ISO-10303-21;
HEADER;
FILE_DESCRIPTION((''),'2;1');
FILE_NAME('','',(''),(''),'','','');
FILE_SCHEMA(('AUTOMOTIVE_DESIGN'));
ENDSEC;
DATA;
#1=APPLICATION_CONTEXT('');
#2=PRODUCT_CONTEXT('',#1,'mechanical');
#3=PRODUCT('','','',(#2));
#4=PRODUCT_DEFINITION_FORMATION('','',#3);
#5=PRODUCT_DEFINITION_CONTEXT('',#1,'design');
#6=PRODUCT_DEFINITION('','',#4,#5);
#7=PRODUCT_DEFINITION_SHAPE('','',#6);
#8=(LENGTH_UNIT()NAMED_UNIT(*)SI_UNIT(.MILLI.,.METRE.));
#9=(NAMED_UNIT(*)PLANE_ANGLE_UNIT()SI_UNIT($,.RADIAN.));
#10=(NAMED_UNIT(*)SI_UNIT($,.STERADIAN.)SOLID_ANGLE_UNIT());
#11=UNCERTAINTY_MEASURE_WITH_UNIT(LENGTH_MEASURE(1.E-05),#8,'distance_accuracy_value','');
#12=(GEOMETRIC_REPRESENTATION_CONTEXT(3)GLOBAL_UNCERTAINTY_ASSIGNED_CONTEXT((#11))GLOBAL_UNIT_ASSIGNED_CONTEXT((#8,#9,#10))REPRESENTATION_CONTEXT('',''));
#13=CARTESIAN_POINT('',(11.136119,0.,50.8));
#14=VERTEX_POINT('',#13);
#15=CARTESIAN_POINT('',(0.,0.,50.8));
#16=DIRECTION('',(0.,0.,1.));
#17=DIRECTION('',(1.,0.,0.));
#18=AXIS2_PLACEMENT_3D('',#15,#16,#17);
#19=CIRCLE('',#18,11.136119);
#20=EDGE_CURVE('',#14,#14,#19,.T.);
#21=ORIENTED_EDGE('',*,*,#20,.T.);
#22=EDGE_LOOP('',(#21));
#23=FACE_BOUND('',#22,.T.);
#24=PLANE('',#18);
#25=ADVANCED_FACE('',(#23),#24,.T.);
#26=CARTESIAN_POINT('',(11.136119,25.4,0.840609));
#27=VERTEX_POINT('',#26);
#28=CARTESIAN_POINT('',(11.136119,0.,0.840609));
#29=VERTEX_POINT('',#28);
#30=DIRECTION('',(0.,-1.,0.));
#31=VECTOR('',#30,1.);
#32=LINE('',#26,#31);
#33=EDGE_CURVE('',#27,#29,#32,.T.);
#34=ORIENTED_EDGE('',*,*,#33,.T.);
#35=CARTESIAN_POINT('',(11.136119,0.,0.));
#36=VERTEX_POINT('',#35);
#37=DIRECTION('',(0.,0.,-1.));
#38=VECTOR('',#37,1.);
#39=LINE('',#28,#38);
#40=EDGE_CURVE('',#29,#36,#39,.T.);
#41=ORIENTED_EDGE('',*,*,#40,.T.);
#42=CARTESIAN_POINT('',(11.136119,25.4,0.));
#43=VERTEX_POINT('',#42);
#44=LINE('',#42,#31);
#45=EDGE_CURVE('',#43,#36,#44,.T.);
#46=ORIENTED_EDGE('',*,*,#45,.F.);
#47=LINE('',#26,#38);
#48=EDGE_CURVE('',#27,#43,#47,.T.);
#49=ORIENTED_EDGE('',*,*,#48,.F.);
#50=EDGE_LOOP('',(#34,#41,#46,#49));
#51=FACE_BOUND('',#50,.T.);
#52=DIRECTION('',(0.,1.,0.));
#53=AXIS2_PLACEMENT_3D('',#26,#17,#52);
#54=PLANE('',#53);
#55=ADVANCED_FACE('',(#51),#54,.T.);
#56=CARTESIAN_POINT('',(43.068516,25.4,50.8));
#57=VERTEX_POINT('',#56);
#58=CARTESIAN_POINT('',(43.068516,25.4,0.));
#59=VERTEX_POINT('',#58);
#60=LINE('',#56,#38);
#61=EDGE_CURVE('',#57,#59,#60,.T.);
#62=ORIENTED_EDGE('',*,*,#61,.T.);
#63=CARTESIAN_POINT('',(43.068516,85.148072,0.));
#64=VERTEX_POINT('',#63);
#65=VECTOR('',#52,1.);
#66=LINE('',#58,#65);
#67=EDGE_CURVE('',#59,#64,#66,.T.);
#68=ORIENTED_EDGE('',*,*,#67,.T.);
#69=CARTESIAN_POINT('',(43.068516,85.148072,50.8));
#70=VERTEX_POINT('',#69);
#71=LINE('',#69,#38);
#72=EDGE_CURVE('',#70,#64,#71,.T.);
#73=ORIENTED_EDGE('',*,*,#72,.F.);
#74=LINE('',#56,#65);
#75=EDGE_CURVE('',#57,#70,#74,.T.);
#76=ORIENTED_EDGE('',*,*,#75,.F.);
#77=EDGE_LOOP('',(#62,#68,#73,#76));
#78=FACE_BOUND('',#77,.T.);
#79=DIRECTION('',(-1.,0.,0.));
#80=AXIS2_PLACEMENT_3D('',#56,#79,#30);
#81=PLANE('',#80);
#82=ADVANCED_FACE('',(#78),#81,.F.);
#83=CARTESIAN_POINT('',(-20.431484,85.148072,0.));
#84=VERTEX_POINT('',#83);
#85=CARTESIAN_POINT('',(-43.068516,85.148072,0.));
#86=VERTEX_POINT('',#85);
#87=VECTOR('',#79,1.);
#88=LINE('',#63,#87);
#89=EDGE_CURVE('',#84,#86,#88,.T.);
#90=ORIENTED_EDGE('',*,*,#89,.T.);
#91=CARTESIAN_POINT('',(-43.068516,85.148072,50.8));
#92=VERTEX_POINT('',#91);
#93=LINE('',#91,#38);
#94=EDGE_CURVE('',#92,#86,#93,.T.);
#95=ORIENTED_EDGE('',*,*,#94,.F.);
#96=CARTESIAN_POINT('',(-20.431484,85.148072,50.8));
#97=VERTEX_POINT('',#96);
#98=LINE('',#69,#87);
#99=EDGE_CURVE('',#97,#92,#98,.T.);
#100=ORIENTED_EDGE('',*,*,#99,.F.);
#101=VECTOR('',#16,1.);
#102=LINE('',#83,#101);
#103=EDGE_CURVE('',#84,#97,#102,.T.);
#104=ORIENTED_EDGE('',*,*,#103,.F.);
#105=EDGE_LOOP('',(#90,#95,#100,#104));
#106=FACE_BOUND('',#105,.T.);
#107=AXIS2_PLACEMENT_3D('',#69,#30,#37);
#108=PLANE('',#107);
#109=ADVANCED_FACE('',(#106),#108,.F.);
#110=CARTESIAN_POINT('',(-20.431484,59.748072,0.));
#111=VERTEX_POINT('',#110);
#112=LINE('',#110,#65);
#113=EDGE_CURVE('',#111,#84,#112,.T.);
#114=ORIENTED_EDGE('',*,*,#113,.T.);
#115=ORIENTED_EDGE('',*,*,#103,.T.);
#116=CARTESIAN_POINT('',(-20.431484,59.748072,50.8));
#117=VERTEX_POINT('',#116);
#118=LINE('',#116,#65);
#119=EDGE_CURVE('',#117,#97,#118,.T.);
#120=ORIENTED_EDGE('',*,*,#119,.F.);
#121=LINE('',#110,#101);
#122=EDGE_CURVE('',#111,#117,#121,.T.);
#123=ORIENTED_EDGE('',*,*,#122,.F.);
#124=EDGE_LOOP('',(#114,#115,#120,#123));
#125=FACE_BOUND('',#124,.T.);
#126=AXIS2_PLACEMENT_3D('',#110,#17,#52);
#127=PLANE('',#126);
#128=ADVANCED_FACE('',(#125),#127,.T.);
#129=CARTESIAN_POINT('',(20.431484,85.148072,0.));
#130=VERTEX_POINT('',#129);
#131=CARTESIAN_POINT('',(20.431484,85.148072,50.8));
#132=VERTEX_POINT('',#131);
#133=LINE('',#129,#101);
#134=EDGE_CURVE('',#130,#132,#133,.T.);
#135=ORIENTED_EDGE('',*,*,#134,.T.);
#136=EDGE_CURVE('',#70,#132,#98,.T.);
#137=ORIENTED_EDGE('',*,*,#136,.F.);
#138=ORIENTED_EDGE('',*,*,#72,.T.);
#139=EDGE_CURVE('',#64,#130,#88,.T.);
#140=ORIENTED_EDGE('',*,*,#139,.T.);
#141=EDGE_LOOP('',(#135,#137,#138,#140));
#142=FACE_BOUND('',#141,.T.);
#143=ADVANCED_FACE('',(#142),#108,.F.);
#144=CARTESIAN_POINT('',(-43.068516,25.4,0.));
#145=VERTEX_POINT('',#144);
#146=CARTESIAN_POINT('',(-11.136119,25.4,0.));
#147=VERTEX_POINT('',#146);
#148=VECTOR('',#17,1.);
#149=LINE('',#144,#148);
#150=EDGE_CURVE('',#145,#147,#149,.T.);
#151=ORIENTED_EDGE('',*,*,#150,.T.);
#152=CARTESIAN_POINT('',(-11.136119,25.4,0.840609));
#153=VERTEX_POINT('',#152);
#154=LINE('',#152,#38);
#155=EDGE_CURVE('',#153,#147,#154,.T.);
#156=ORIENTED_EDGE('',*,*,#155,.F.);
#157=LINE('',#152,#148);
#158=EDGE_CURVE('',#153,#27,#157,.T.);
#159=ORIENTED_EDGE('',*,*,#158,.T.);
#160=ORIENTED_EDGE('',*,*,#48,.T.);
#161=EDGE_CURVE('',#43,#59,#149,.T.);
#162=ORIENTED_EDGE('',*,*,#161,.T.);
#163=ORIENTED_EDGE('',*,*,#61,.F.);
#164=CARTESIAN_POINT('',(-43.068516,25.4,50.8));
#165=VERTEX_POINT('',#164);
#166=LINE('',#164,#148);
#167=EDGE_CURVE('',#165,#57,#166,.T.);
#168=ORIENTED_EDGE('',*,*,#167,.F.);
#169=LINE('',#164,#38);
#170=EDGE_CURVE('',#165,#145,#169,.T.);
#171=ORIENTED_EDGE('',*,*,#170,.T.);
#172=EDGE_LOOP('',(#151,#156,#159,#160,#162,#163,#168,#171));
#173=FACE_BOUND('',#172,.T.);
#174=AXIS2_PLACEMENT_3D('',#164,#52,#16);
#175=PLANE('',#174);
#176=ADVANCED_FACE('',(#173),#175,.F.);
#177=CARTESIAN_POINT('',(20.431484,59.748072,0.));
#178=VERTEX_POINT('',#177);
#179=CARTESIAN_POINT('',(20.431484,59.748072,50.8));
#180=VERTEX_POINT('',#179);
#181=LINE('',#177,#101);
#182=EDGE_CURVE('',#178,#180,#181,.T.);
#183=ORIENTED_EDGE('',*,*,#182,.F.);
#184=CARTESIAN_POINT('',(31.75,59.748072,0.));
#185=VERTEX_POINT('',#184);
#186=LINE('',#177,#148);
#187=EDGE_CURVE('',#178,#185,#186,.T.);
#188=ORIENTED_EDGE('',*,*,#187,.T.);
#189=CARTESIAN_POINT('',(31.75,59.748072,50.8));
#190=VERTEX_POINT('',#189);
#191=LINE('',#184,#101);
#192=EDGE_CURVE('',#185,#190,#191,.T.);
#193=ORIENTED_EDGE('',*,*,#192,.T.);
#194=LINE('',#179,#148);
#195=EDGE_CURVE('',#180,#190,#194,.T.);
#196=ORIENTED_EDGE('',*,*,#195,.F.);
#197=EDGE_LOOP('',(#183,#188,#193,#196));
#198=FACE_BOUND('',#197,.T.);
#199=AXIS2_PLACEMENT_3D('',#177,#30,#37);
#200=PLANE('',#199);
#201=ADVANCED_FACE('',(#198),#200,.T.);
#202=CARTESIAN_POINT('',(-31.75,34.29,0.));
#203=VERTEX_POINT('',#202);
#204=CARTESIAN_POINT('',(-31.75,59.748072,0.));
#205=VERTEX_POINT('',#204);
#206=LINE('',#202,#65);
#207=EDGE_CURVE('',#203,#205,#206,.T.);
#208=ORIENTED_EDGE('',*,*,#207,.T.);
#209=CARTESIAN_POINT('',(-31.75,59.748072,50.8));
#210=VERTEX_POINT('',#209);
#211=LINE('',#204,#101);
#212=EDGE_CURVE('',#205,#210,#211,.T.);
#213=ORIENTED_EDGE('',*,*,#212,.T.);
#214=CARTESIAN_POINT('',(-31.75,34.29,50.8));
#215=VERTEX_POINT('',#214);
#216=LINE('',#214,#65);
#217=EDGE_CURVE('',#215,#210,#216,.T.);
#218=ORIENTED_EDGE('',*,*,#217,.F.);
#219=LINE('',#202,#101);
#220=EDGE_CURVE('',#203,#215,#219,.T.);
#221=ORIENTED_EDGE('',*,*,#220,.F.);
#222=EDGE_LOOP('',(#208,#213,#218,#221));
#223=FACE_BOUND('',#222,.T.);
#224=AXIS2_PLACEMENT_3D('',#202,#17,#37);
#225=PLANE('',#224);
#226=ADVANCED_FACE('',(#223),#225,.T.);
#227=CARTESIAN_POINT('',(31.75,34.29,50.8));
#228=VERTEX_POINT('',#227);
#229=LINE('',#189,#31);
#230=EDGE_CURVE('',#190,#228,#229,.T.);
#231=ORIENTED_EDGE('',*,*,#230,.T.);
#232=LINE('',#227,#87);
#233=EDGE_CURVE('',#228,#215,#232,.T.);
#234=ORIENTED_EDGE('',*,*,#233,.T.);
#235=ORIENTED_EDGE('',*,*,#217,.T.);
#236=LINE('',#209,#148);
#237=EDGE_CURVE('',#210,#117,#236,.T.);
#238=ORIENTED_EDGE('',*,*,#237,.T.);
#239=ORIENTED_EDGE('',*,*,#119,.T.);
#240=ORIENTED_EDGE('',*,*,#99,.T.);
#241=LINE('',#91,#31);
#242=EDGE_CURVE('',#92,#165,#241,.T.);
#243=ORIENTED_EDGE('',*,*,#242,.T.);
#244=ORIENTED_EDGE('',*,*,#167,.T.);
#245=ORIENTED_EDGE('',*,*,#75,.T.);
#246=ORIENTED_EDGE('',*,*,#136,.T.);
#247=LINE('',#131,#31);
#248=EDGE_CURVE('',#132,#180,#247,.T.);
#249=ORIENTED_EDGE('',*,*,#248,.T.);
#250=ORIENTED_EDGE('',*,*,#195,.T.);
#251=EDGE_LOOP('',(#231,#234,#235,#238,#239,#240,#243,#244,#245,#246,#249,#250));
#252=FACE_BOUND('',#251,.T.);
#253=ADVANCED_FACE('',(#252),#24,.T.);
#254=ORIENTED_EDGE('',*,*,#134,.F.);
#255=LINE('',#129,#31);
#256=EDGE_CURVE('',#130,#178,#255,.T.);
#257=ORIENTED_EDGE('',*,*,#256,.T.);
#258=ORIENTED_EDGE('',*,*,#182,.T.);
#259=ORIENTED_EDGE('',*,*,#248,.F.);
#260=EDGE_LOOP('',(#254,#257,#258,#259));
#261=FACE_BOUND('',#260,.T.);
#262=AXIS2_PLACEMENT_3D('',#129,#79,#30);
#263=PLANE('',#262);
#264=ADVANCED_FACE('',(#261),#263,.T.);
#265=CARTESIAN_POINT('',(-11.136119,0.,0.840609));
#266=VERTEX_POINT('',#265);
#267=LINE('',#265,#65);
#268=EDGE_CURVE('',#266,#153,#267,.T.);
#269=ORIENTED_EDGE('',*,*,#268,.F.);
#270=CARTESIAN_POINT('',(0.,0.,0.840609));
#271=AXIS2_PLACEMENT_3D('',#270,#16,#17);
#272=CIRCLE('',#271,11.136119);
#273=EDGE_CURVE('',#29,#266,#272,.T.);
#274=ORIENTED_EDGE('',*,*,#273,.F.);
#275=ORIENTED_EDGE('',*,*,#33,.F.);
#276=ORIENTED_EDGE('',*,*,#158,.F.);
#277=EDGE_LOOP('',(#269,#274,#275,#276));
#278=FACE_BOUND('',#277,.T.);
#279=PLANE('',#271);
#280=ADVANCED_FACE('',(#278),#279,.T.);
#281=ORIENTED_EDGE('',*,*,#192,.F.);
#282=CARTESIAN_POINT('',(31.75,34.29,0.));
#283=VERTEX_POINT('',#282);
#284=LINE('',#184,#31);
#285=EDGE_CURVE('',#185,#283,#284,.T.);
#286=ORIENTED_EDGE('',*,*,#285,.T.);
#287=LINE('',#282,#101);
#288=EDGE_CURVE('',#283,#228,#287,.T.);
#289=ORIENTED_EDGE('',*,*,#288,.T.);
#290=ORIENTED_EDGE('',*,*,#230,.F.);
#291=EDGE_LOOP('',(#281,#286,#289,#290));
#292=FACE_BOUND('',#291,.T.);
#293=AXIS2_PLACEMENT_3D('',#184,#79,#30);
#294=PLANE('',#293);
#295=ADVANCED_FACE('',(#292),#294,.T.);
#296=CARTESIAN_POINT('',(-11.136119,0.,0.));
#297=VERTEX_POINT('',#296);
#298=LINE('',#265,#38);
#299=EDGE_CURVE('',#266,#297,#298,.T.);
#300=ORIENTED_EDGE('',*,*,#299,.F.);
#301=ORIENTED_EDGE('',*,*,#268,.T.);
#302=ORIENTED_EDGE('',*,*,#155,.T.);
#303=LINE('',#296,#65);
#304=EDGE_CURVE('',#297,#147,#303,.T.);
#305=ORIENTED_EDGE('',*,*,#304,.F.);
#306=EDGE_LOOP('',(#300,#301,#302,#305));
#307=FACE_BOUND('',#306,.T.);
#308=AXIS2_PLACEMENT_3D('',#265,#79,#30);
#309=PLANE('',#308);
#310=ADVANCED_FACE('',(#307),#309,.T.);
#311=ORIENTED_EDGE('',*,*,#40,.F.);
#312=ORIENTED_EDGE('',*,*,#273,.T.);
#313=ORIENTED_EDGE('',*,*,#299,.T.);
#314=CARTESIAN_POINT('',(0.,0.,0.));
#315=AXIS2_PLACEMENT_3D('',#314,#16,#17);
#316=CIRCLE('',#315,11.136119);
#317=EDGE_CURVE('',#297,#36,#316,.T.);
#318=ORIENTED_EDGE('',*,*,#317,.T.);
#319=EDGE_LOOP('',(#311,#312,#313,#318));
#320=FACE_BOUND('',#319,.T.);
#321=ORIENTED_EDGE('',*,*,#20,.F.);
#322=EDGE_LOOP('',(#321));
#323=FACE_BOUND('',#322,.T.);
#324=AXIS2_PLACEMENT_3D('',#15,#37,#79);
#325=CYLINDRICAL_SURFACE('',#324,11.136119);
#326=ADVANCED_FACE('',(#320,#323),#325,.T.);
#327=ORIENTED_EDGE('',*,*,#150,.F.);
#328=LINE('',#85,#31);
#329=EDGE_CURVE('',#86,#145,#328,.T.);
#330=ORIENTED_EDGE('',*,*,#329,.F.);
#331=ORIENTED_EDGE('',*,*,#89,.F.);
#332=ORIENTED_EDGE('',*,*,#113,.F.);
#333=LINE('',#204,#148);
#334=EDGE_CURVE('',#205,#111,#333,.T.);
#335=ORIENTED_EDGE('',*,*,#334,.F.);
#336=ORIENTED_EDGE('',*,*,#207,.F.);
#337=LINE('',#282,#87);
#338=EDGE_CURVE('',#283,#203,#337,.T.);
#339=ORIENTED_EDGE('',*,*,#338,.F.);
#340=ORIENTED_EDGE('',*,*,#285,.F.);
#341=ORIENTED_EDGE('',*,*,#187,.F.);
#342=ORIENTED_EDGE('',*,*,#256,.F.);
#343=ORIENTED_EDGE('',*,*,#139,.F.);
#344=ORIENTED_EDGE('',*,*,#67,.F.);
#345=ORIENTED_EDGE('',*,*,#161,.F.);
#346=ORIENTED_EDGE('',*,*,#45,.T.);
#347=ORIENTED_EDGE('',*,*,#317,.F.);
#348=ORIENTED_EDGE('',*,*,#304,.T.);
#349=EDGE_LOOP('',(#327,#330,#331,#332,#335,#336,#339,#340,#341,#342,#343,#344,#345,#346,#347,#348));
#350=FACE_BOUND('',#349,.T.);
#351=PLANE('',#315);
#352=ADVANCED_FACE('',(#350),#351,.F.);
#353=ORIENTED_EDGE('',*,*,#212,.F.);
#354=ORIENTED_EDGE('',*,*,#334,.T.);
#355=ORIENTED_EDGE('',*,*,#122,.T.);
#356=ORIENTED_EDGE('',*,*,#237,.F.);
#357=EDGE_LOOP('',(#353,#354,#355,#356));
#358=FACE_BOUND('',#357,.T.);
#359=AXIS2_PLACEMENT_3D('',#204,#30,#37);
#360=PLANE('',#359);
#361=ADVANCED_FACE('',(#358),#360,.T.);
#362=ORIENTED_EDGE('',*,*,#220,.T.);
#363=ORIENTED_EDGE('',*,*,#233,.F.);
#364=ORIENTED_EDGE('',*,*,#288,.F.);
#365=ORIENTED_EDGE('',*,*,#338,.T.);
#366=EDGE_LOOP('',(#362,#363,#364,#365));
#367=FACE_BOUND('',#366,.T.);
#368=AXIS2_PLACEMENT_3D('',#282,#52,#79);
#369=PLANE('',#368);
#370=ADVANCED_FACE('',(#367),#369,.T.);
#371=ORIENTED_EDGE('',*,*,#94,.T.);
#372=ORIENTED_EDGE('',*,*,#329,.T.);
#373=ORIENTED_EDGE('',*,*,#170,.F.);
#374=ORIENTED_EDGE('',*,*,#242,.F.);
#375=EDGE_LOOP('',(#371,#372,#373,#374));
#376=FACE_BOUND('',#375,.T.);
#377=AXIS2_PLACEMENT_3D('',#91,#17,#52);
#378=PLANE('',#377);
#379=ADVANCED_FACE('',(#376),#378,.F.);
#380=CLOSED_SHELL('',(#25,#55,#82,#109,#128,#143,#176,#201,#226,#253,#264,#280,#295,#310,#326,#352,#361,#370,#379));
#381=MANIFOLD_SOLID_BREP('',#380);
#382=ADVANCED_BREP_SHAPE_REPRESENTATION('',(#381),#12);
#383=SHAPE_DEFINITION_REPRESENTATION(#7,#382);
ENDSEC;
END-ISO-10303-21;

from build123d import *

# Parameters (mm, degrees)
BOSS_EXTRUDE1_DEPTH = 0.840608912
SKETCH2_R           = 11.136118556
BOSS_EXTRUDE2_DEPTH = 50.8
SKETCH3_W           = 86.137031446
SKETCH3_H           = 59.748072355
BOSS_EXTRUDE3_DEPTH = 50.8
CUT_EXTRUDE1_DEPTH  = 109.100560925


with BuildPart() as part:
    # Sketch1 → Boss-Extrude1 (new body)
    with BuildSketch(Plane.XY):
        with BuildLine():
            Line((-11.136118556, 0), (-11.136118556, 25.4))
            Line((-11.136118556, 25.4), (11.136118556, 25.4))
            Line((11.136118556, 25.4), (11.136118556, 0))
            ThreePointArc((11.136118556, 0), (0, 11.136118556), (-11.136118556, 0))
        make_face()
    extrude(amount=BOSS_EXTRUDE1_DEPTH)

    # Sketch2 → Boss-Extrude2 (add)
    with BuildSketch(Plane.XY):
        Circle(SKETCH2_R)
    extrude(amount=BOSS_EXTRUDE2_DEPTH)

    # Sketch3 → Boss-Extrude3 (add)
    with BuildSketch(Plane.XY):
        with Locations((0, 55.274036178)):
            Rectangle(SKETCH3_W, SKETCH3_H)
    extrude(amount=BOSS_EXTRUDE3_DEPTH)

    # Sketch4 → Cut-Extrude1 (cut, through all)
    with BuildSketch(Plane.XY.offset(50.8)):
        Polygon((20.431484277, 85.148072355), (20.431484277, 59.748072355), (31.75, 59.748072355), (31.75, 34.29), (-31.75, 34.29), (-31.75, 59.748072355), (-20.431484277, 59.748072355), (-20.431484277, 85.148072355), align=None)
    extrude(amount=-CUT_EXTRUDE1_DEPTH, mode=Mode.SUBTRACT)


solid = part.part
